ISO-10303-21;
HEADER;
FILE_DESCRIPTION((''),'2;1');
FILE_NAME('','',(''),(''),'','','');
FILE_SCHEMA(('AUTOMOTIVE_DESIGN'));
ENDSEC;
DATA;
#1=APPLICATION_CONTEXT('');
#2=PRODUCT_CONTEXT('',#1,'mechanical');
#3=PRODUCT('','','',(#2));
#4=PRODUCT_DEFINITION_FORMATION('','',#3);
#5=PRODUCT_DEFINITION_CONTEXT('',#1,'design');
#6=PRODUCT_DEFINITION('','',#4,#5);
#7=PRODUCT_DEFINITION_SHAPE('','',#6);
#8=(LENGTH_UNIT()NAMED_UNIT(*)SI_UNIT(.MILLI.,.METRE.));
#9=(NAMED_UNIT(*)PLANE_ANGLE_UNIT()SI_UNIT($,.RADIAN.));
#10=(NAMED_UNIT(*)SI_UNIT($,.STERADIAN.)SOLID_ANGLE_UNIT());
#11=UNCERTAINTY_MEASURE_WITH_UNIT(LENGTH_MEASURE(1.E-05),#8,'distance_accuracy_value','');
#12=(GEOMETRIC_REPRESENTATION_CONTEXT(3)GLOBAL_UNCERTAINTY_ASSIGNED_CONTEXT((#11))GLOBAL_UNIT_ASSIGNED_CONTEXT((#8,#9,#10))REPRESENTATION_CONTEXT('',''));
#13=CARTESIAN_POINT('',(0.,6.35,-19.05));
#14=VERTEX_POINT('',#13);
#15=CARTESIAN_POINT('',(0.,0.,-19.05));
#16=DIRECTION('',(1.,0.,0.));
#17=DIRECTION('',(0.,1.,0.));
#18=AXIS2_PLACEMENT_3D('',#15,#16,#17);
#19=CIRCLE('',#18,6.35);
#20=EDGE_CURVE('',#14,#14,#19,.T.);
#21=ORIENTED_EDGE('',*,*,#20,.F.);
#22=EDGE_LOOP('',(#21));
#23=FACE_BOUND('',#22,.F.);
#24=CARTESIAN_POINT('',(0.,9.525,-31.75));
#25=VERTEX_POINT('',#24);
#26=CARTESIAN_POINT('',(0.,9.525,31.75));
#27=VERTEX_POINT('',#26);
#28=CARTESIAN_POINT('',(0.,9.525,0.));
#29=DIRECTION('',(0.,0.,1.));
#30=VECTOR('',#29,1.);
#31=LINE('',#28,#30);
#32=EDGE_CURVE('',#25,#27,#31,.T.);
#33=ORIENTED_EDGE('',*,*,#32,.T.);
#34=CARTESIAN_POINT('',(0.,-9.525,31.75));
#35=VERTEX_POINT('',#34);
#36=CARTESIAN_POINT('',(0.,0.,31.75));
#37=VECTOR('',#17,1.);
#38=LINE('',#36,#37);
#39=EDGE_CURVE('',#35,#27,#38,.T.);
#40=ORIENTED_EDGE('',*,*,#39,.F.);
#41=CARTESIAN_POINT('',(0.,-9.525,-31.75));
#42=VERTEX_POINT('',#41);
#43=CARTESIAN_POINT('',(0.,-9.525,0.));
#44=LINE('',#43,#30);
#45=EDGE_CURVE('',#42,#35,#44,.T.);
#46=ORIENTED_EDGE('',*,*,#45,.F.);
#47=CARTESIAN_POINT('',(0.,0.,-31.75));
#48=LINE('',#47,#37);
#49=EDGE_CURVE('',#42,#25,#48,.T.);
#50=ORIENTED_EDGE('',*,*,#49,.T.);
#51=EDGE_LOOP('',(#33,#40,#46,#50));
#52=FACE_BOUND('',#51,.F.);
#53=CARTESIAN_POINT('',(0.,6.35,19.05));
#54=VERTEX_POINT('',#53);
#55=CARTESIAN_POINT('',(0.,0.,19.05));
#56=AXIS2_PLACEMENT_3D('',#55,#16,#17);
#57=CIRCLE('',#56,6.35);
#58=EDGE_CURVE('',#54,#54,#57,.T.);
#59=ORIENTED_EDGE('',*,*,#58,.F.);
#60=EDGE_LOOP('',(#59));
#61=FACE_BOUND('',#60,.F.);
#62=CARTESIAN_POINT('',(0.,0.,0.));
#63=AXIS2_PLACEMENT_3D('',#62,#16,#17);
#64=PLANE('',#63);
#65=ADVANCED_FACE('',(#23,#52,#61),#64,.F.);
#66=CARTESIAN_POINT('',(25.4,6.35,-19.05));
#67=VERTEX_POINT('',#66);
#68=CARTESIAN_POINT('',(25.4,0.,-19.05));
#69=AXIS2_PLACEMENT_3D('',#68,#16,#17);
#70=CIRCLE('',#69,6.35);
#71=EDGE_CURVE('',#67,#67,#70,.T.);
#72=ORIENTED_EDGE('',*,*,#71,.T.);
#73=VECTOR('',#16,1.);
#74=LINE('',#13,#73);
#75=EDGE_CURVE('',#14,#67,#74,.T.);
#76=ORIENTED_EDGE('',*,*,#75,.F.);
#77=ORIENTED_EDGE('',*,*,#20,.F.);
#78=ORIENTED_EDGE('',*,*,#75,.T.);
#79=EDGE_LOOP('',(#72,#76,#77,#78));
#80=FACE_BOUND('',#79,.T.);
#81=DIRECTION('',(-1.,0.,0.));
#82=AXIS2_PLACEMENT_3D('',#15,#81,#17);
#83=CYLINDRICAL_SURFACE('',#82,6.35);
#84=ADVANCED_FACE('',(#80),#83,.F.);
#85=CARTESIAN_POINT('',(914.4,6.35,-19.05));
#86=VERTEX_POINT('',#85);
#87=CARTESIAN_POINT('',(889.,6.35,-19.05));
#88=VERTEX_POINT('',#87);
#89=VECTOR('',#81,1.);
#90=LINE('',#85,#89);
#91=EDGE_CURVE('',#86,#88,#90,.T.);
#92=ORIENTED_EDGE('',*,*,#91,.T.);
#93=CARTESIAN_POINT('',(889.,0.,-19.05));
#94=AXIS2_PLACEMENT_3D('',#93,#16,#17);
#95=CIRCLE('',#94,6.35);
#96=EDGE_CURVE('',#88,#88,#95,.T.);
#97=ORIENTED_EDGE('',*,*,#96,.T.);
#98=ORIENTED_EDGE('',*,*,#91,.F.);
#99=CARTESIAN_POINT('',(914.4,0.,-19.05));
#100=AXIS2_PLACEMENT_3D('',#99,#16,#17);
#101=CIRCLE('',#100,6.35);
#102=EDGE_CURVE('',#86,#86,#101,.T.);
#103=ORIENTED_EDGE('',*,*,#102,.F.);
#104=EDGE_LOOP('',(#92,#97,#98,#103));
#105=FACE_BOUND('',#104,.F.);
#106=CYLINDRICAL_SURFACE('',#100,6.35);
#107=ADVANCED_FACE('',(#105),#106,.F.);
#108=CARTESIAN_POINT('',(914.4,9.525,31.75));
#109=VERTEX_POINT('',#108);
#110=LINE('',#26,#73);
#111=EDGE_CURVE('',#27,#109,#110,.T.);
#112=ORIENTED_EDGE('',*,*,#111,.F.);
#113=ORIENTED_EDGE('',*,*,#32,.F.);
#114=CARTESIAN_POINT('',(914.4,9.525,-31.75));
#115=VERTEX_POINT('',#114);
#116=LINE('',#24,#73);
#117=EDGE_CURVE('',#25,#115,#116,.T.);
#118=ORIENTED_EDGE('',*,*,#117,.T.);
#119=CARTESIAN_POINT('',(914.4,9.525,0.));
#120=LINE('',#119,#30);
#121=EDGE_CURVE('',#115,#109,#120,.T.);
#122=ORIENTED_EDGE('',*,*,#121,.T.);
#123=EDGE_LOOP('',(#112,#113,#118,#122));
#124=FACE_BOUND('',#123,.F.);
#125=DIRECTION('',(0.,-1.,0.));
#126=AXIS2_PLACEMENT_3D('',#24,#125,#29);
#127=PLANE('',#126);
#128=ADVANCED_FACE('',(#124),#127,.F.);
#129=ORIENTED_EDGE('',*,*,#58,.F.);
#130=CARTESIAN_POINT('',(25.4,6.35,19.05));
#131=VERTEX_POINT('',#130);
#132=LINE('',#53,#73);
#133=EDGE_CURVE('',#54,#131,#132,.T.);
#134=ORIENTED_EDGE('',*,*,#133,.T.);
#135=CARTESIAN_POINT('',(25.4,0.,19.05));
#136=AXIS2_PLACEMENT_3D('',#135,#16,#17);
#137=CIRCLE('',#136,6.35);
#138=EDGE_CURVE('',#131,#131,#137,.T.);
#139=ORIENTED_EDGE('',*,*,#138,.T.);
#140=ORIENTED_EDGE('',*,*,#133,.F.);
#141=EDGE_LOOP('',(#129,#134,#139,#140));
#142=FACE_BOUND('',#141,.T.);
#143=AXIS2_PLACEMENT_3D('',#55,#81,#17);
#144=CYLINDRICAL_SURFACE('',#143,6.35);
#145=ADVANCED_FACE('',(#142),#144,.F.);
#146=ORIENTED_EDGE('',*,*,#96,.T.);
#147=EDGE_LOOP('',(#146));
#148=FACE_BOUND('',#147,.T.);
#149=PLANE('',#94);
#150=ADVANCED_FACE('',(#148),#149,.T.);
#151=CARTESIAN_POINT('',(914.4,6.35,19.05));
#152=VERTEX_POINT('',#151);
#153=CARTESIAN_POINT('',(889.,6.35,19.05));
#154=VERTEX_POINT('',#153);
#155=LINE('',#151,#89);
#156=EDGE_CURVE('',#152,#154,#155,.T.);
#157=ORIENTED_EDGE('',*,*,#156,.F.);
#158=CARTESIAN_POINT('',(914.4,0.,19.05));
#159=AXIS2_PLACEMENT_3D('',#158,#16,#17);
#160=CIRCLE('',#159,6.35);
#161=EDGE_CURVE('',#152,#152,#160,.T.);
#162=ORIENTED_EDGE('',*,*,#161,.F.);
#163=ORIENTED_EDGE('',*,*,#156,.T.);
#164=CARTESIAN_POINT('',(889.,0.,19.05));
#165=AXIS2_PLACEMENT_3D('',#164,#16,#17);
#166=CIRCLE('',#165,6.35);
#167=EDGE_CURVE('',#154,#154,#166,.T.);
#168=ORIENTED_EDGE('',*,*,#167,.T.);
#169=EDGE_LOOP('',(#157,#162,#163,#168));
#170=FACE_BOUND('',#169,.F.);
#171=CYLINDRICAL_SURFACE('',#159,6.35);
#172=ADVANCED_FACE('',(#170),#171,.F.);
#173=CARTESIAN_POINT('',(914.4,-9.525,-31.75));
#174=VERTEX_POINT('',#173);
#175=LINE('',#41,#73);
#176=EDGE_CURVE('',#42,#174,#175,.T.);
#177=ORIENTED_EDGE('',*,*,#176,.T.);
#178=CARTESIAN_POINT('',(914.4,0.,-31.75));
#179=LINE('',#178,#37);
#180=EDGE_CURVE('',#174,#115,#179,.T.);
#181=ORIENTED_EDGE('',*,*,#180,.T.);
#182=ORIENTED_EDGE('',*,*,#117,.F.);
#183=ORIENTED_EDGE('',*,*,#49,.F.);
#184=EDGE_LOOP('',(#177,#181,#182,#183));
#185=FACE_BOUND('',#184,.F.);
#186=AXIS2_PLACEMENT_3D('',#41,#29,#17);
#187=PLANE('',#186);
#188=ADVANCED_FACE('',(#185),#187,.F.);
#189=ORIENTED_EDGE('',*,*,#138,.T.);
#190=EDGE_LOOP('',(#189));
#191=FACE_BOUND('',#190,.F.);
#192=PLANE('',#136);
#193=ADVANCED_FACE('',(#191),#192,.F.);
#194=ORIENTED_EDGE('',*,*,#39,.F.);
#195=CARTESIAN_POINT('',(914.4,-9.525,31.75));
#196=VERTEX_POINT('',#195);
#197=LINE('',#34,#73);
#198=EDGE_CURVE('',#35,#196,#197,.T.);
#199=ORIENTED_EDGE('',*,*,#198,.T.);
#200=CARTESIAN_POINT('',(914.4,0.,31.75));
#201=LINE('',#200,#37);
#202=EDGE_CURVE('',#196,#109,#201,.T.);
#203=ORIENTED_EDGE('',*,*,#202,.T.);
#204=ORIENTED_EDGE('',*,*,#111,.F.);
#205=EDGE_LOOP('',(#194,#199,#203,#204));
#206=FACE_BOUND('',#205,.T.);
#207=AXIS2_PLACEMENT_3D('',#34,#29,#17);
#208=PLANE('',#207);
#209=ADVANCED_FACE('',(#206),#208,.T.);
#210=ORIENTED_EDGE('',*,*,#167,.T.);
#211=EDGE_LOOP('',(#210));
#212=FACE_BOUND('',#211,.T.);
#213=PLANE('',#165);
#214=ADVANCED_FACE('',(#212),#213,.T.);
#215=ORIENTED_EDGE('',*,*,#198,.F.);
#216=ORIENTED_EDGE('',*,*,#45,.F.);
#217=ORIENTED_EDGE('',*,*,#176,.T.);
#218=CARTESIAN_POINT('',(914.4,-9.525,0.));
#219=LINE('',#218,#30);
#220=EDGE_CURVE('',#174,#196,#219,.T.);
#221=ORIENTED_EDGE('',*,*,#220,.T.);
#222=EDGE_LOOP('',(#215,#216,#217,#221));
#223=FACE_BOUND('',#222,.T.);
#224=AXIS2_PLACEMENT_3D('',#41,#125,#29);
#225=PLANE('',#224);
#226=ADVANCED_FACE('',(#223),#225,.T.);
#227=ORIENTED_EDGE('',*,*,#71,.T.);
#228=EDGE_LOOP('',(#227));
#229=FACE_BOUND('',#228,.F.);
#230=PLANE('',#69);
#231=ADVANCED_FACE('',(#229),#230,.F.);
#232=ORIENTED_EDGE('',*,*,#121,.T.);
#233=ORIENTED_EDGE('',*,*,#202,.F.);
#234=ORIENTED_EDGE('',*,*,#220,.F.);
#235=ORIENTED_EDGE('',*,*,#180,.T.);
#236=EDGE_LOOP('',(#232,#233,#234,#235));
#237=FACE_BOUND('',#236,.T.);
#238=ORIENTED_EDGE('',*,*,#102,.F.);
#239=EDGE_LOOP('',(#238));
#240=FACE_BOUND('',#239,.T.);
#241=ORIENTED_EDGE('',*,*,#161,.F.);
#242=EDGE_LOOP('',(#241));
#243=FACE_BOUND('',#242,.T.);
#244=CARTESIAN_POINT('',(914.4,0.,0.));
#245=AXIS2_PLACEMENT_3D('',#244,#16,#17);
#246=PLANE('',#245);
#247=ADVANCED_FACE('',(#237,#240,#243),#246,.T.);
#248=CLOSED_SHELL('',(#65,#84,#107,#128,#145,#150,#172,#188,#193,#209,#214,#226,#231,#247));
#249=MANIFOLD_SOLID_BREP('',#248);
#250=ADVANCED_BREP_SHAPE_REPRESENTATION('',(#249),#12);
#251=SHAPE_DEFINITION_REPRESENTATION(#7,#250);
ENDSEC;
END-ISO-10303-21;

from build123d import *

# Parameters (mm, degrees)
F0_W     = 19.05
F0_H     = 63.5
F1_DEPTH = 914.4
F2_R     = 6.35
F3_DEPTH = 25.4
F4_R     = 6.35
F5_DEPTH = 25.4


with BuildPart() as f1:
    # F0 (on Right) → F1 (new body)
    with BuildSketch(Plane.YZ):
        Rectangle(F0_W, F0_H)
    extrude(amount=F1_DEPTH)

    # F2 (on Right) → F3 (cut)
    with BuildSketch(Plane.YZ):
        with Locations((0, 19.05)):
            Circle(F2_R)
        with Locations((0, -19.05)):
            Circle(F2_R)
    extrude(amount=F3_DEPTH, mode=Mode.SUBTRACT)

    # F4 (on face) → F5 (cut)
    with BuildSketch(Plane.YZ.offset(914.4)):
        with Locations((0, 19.05)):
            Circle(F4_R)
        with Locations((0, -19.05)):
            Circle(F4_R)
    extrude(amount=-F5_DEPTH, mode=Mode.SUBTRACT)


solid = f1.part
